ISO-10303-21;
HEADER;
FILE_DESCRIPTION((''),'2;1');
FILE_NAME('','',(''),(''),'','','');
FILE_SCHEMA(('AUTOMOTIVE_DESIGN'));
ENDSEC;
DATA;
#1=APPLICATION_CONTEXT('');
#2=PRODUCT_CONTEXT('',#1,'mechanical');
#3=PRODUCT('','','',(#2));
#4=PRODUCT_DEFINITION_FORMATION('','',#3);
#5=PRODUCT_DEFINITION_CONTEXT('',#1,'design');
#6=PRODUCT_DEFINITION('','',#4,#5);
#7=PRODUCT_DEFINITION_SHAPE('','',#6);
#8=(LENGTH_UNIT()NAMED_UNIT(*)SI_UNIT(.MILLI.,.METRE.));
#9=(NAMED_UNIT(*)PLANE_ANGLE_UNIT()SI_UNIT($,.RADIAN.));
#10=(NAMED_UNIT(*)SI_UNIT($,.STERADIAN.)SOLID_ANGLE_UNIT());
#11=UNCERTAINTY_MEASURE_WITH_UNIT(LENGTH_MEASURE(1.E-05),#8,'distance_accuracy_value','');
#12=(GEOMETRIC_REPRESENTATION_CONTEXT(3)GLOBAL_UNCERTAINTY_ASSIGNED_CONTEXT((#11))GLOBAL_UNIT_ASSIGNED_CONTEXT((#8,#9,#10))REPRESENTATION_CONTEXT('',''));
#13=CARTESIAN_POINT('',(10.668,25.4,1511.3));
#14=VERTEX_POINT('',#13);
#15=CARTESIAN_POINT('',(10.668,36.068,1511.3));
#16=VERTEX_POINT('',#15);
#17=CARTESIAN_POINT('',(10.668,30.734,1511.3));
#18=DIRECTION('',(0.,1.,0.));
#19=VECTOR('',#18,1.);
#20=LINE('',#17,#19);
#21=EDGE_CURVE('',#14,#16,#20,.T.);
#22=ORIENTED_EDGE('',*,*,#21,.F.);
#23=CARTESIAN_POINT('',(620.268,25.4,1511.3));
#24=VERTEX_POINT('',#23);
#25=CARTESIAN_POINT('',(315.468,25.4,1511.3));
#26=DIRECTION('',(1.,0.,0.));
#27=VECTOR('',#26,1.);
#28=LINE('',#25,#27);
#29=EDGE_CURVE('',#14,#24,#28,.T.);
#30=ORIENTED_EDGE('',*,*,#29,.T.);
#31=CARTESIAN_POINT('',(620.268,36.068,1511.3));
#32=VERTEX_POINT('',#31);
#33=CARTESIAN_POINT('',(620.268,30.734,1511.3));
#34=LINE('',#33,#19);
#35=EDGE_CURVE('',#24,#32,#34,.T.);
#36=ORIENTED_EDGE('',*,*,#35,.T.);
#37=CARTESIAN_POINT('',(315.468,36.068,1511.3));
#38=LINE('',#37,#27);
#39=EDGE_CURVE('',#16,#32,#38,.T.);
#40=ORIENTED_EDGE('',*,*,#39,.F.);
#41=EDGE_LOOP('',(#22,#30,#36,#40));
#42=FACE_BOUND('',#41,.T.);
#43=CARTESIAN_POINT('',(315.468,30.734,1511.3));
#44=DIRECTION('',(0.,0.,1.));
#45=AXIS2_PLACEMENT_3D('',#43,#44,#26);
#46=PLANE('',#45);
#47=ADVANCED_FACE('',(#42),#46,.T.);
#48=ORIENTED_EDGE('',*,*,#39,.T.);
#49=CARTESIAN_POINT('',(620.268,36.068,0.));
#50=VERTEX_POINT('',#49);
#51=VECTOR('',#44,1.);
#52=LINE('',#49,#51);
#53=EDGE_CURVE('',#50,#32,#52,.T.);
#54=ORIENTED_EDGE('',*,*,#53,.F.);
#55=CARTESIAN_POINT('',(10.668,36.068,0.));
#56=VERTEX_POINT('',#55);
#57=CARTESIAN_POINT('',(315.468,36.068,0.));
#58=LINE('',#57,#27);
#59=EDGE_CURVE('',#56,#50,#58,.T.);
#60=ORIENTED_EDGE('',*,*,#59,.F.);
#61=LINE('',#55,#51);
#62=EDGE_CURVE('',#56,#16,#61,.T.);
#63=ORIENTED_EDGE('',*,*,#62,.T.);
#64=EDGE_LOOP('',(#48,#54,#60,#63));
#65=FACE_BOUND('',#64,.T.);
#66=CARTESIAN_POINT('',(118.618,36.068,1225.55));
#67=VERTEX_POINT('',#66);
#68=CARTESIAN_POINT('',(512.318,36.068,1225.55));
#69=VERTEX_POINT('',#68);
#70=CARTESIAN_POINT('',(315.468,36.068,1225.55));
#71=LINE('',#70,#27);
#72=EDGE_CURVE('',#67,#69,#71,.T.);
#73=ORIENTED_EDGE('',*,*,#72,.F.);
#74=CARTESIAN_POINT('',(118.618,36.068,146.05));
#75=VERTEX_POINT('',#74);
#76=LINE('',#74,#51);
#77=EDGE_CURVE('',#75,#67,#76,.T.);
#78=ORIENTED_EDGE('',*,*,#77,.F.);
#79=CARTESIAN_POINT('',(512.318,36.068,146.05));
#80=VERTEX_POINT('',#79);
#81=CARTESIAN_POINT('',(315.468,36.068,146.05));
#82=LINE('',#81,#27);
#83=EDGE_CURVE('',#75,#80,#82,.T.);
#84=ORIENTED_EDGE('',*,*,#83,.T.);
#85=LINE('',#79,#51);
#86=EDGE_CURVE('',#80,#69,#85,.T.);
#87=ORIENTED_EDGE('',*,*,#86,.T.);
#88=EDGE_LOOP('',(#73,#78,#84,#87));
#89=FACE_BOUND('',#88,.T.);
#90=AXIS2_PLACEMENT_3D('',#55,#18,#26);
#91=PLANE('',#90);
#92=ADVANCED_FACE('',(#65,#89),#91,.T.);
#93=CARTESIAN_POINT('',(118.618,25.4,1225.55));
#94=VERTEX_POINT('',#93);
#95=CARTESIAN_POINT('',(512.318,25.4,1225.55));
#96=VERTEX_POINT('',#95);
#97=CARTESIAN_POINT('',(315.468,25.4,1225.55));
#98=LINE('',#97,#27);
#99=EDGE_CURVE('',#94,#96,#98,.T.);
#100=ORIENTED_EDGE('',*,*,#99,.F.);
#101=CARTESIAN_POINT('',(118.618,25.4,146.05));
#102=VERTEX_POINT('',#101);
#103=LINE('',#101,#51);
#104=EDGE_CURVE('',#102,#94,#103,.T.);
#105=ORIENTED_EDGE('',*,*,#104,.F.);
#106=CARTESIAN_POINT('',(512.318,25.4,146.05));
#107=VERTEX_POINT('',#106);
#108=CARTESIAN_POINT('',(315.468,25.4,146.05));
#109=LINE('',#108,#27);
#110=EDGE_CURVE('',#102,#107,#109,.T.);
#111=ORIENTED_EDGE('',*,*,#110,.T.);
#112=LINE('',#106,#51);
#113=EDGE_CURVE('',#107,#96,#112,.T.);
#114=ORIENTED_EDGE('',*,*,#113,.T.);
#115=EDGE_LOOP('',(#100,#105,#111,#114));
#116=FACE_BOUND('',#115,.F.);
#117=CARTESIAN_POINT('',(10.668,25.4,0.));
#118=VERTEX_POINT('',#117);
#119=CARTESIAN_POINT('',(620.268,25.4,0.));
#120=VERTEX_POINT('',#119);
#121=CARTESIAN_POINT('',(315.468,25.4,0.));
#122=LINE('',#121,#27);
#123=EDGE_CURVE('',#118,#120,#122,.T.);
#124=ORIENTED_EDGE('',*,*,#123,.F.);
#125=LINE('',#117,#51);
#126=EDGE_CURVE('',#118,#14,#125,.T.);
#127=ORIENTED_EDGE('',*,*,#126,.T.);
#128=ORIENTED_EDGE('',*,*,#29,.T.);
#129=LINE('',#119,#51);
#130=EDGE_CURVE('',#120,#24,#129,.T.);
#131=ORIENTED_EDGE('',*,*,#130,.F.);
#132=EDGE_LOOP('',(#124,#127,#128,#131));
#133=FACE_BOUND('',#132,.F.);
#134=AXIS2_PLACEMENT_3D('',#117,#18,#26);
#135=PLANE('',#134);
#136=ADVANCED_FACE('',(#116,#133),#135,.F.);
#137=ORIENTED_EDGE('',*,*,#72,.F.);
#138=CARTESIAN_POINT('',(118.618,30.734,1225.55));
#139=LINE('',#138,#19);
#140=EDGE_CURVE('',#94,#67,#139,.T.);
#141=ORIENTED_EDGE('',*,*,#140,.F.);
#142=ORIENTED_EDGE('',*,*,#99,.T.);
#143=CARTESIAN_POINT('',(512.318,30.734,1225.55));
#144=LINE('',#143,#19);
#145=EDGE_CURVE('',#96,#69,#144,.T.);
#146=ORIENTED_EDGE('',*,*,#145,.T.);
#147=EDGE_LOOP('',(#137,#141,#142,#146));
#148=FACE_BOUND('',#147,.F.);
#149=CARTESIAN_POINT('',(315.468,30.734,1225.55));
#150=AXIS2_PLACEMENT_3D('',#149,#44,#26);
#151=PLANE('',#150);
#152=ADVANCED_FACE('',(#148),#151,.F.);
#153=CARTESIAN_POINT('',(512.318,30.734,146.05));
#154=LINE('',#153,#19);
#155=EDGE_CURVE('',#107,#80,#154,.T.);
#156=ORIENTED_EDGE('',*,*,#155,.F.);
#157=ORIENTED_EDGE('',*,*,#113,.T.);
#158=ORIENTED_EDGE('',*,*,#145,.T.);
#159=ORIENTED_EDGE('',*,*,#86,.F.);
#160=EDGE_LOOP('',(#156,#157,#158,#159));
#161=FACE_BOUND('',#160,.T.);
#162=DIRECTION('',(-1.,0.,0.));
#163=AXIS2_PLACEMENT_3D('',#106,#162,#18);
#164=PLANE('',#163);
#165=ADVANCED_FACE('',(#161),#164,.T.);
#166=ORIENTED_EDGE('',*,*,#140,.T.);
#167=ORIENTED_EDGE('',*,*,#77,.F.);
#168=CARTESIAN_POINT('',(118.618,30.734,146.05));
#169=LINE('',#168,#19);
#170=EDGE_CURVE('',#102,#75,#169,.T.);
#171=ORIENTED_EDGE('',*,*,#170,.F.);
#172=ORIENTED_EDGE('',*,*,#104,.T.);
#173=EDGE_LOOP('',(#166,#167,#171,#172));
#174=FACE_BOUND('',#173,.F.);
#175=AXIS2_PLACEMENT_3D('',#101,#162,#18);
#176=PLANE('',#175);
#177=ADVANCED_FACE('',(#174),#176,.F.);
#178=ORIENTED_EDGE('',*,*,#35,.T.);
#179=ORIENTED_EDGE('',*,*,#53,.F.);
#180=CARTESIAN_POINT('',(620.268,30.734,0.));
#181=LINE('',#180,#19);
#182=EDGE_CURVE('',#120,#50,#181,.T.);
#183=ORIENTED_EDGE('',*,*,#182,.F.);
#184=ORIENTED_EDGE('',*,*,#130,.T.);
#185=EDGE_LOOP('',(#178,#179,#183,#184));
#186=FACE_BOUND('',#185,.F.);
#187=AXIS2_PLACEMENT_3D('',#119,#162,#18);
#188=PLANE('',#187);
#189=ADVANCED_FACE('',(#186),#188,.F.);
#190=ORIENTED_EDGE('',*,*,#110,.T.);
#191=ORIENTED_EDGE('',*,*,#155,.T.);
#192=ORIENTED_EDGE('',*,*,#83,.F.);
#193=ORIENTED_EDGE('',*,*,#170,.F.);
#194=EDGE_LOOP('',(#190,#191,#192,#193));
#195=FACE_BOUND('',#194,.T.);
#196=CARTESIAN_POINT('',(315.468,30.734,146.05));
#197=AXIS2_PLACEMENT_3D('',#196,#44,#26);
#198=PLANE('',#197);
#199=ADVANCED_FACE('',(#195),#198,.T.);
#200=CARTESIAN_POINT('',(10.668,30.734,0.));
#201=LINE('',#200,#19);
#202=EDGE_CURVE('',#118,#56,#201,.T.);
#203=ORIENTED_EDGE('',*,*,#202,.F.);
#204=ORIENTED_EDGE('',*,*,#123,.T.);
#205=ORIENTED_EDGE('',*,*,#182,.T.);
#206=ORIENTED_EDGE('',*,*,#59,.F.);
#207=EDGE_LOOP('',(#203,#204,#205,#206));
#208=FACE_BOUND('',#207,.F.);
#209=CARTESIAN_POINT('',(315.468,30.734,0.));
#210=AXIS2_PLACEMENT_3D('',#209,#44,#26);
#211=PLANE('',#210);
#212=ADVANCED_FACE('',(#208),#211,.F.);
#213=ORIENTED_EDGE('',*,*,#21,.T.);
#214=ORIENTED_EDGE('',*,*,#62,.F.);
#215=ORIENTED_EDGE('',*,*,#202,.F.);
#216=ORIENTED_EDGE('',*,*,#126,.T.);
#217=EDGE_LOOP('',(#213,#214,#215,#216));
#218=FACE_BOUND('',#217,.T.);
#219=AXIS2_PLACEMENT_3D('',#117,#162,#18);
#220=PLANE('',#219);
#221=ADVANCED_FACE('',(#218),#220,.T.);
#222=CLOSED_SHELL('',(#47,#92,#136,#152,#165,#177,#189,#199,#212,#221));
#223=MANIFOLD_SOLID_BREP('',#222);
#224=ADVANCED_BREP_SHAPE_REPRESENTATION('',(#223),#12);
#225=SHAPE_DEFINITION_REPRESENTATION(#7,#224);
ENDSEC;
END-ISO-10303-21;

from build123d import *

# Parameters (mm, degrees)
BOX014_W     = 393.7
BOX014_H     = 10.668
BOX014_DEPTH = 1079.5
BOX_W        = 609.6
BOX_H        = 10.668
BOX_DEPTH    = 1511.3


with BuildPart() as doorcutout:
    # Box014 → Box014 (new body)
    with BuildSketch(Plane(origin=(118.618, 25.4, 146.05), x_dir=(1, 0, 0), z_dir=(0, 0, 1))):
        with Locations((196.85, 5.334)):
            Rectangle(BOX014_W, BOX014_H)
    extrude(amount=BOX014_DEPTH)


with BuildPart() as sideb:
    # Box → Box (new body)
    with BuildSketch(Plane(origin=(10.668, 25.4, 0), x_dir=(1, 0, 0), z_dir=(0, 0, 1))):
        with Locations((304.8, 5.334)):
            Rectangle(BOX_W, BOX_H)
    extrude(amount=BOX_DEPTH)

    # Cut001: cut DoorCutout
    add(doorcutout.part, mode=Mode.SUBTRACT)


solid = sideb.part
